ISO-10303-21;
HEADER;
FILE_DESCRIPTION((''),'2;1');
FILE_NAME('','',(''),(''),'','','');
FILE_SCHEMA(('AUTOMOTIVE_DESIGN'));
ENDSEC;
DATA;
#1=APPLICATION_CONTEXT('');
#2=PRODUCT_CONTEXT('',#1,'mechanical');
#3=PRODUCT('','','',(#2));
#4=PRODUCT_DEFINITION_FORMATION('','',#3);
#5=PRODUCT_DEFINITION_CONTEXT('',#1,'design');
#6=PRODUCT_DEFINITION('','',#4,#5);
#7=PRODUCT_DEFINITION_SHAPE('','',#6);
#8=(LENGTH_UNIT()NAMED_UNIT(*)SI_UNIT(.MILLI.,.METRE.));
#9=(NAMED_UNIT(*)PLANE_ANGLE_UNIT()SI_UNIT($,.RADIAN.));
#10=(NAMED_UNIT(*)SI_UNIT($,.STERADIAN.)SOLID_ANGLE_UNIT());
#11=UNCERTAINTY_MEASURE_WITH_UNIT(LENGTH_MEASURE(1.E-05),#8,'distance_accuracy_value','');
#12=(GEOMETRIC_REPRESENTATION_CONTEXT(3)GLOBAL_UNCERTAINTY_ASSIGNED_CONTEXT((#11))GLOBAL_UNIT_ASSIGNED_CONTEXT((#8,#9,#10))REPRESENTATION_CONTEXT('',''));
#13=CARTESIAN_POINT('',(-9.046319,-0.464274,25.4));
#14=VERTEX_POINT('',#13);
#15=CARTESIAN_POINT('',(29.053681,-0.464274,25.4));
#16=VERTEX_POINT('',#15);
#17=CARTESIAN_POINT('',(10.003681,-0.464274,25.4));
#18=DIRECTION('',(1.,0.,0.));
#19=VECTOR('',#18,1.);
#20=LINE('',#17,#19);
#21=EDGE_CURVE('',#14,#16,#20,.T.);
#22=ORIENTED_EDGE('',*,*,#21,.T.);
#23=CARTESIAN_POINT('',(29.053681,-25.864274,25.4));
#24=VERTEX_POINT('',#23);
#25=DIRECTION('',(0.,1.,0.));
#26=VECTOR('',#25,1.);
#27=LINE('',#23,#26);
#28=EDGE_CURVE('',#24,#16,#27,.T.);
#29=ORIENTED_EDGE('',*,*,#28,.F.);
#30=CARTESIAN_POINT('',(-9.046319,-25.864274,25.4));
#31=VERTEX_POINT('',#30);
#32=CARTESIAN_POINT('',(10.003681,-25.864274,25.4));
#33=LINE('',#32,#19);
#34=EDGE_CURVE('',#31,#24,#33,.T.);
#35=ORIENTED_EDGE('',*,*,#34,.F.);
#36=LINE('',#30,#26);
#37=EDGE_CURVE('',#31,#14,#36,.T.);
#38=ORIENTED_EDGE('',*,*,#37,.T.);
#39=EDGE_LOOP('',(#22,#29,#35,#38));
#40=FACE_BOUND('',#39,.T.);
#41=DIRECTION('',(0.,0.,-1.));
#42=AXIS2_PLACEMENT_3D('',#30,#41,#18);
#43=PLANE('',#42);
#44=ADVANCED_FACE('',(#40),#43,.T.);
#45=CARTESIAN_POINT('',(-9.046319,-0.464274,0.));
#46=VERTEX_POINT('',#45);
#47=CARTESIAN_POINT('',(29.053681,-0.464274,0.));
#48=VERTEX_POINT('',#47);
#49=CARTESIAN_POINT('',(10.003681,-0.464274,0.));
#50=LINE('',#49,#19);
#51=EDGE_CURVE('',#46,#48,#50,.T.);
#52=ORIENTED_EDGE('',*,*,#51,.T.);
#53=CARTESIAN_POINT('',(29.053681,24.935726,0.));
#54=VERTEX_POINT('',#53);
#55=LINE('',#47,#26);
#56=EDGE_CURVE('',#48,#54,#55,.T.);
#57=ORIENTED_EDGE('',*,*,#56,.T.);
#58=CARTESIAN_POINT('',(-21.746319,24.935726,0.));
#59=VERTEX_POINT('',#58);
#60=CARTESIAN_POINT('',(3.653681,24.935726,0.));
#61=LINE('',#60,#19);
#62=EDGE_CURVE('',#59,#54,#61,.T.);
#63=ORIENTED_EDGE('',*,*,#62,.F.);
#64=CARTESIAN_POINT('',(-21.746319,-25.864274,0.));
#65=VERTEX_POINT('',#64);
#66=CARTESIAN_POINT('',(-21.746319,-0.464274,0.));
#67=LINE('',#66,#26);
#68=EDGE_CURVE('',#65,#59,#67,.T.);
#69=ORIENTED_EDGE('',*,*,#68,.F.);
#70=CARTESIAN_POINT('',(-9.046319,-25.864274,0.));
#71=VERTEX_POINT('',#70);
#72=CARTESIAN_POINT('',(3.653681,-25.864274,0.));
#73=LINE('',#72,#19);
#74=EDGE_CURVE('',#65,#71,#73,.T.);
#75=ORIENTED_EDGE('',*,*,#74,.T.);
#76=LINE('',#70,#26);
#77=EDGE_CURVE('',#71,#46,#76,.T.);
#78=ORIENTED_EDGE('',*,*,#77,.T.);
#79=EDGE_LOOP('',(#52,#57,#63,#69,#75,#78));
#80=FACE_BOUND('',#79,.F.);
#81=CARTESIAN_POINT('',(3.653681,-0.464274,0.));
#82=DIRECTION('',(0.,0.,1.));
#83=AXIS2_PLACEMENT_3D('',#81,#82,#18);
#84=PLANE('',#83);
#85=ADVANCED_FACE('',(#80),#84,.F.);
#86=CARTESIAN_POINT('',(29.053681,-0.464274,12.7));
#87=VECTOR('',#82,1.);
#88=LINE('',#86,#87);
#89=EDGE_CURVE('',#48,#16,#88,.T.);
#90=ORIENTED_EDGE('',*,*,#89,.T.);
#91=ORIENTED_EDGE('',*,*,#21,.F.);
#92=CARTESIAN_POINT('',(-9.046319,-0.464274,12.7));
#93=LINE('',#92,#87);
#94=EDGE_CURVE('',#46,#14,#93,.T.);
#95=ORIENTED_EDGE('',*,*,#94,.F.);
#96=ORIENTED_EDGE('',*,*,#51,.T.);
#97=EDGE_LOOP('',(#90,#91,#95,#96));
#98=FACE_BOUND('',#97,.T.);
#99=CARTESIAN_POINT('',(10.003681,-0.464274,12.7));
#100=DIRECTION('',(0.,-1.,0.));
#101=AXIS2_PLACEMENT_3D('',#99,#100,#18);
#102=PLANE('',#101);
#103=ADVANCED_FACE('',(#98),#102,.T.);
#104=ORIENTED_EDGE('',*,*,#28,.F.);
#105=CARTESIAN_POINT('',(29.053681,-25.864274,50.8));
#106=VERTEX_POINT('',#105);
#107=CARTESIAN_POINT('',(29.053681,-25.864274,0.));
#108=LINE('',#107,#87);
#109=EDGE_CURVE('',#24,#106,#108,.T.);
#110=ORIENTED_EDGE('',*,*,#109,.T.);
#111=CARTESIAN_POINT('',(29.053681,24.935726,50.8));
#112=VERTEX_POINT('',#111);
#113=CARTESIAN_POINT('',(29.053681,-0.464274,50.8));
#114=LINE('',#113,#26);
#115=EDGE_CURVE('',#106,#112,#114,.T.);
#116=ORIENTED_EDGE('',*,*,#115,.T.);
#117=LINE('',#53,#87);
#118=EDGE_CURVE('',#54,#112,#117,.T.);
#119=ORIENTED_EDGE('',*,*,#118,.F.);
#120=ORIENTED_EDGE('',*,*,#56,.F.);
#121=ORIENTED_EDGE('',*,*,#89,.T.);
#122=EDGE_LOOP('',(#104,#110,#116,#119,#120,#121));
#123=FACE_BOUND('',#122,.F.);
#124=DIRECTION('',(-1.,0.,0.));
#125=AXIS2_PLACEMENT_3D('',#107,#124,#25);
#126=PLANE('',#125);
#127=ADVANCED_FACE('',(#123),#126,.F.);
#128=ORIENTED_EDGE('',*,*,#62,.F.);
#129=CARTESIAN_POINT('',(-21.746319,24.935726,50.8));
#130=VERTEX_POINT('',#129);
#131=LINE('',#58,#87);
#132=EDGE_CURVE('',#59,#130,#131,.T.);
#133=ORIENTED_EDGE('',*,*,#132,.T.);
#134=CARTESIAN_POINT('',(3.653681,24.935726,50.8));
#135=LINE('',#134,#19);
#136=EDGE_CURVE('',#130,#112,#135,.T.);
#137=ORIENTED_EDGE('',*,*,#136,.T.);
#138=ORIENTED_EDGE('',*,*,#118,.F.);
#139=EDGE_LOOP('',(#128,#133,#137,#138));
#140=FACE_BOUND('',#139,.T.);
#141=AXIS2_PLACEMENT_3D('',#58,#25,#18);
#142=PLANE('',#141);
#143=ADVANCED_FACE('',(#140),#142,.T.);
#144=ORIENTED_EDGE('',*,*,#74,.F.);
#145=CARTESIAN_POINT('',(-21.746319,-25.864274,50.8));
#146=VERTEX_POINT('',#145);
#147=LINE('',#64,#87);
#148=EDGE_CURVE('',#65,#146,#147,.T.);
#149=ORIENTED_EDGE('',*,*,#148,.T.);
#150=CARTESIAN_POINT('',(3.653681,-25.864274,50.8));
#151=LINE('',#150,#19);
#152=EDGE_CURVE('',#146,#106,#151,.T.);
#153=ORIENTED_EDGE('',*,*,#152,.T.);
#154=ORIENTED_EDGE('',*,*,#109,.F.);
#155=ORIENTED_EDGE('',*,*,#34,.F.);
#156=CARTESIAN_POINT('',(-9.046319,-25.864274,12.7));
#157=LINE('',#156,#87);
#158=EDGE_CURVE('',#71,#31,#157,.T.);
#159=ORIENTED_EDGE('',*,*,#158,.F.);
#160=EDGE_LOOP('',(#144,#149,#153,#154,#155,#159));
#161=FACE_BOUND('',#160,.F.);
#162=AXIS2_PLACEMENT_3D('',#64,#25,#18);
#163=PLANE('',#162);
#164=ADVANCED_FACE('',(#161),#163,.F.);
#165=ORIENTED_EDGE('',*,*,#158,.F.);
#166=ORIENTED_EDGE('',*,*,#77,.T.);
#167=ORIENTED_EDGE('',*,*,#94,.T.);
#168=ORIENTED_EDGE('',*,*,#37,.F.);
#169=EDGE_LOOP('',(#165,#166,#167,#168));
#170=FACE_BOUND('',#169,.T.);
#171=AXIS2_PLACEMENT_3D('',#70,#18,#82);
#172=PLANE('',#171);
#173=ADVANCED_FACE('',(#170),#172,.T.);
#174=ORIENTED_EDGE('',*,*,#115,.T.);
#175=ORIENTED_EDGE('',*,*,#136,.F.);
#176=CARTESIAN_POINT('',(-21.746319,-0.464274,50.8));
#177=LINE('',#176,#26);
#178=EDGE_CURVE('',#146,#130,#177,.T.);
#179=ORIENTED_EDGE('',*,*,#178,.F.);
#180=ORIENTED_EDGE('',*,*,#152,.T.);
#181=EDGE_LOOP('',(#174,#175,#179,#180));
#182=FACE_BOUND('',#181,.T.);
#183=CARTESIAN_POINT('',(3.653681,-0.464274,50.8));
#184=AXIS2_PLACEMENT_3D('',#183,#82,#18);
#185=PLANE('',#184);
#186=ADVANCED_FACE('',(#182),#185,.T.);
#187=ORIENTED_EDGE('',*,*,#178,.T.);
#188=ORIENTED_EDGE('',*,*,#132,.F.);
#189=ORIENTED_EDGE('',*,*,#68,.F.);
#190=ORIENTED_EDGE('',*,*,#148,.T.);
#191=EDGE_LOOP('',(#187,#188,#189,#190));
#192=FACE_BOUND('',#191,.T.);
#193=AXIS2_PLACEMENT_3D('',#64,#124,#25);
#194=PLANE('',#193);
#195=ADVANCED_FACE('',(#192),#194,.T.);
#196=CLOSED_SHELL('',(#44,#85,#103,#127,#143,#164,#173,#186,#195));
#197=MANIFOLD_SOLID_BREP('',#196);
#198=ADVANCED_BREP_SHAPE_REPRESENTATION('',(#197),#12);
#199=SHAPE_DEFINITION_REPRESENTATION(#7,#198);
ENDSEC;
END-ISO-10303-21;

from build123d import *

# Parameters (mm, degrees)
F0_W     = 50.8
F0_H     = 50.8
F1_DEPTH = 50.8
F2_W     = 38.1
F2_H     = 25.4
F3_DEPTH = 25.4


with BuildPart() as f1:
    # F0 (on Top) → F1 (new body)
    with BuildSketch(Plane.XY):
        with Locations((3.653681, -0.464274)):
            Rectangle(F0_W, F0_H)
    extrude(amount=F1_DEPTH)

    # F2 (on face) → F3 (cut)
    with BuildSketch(Plane.XZ.offset(25.864274)):
        with Locations((10.003681, 12.7)):
            Rectangle(F2_W, F2_H)
    extrude(amount=-F3_DEPTH, mode=Mode.SUBTRACT)


solid = f1.part
